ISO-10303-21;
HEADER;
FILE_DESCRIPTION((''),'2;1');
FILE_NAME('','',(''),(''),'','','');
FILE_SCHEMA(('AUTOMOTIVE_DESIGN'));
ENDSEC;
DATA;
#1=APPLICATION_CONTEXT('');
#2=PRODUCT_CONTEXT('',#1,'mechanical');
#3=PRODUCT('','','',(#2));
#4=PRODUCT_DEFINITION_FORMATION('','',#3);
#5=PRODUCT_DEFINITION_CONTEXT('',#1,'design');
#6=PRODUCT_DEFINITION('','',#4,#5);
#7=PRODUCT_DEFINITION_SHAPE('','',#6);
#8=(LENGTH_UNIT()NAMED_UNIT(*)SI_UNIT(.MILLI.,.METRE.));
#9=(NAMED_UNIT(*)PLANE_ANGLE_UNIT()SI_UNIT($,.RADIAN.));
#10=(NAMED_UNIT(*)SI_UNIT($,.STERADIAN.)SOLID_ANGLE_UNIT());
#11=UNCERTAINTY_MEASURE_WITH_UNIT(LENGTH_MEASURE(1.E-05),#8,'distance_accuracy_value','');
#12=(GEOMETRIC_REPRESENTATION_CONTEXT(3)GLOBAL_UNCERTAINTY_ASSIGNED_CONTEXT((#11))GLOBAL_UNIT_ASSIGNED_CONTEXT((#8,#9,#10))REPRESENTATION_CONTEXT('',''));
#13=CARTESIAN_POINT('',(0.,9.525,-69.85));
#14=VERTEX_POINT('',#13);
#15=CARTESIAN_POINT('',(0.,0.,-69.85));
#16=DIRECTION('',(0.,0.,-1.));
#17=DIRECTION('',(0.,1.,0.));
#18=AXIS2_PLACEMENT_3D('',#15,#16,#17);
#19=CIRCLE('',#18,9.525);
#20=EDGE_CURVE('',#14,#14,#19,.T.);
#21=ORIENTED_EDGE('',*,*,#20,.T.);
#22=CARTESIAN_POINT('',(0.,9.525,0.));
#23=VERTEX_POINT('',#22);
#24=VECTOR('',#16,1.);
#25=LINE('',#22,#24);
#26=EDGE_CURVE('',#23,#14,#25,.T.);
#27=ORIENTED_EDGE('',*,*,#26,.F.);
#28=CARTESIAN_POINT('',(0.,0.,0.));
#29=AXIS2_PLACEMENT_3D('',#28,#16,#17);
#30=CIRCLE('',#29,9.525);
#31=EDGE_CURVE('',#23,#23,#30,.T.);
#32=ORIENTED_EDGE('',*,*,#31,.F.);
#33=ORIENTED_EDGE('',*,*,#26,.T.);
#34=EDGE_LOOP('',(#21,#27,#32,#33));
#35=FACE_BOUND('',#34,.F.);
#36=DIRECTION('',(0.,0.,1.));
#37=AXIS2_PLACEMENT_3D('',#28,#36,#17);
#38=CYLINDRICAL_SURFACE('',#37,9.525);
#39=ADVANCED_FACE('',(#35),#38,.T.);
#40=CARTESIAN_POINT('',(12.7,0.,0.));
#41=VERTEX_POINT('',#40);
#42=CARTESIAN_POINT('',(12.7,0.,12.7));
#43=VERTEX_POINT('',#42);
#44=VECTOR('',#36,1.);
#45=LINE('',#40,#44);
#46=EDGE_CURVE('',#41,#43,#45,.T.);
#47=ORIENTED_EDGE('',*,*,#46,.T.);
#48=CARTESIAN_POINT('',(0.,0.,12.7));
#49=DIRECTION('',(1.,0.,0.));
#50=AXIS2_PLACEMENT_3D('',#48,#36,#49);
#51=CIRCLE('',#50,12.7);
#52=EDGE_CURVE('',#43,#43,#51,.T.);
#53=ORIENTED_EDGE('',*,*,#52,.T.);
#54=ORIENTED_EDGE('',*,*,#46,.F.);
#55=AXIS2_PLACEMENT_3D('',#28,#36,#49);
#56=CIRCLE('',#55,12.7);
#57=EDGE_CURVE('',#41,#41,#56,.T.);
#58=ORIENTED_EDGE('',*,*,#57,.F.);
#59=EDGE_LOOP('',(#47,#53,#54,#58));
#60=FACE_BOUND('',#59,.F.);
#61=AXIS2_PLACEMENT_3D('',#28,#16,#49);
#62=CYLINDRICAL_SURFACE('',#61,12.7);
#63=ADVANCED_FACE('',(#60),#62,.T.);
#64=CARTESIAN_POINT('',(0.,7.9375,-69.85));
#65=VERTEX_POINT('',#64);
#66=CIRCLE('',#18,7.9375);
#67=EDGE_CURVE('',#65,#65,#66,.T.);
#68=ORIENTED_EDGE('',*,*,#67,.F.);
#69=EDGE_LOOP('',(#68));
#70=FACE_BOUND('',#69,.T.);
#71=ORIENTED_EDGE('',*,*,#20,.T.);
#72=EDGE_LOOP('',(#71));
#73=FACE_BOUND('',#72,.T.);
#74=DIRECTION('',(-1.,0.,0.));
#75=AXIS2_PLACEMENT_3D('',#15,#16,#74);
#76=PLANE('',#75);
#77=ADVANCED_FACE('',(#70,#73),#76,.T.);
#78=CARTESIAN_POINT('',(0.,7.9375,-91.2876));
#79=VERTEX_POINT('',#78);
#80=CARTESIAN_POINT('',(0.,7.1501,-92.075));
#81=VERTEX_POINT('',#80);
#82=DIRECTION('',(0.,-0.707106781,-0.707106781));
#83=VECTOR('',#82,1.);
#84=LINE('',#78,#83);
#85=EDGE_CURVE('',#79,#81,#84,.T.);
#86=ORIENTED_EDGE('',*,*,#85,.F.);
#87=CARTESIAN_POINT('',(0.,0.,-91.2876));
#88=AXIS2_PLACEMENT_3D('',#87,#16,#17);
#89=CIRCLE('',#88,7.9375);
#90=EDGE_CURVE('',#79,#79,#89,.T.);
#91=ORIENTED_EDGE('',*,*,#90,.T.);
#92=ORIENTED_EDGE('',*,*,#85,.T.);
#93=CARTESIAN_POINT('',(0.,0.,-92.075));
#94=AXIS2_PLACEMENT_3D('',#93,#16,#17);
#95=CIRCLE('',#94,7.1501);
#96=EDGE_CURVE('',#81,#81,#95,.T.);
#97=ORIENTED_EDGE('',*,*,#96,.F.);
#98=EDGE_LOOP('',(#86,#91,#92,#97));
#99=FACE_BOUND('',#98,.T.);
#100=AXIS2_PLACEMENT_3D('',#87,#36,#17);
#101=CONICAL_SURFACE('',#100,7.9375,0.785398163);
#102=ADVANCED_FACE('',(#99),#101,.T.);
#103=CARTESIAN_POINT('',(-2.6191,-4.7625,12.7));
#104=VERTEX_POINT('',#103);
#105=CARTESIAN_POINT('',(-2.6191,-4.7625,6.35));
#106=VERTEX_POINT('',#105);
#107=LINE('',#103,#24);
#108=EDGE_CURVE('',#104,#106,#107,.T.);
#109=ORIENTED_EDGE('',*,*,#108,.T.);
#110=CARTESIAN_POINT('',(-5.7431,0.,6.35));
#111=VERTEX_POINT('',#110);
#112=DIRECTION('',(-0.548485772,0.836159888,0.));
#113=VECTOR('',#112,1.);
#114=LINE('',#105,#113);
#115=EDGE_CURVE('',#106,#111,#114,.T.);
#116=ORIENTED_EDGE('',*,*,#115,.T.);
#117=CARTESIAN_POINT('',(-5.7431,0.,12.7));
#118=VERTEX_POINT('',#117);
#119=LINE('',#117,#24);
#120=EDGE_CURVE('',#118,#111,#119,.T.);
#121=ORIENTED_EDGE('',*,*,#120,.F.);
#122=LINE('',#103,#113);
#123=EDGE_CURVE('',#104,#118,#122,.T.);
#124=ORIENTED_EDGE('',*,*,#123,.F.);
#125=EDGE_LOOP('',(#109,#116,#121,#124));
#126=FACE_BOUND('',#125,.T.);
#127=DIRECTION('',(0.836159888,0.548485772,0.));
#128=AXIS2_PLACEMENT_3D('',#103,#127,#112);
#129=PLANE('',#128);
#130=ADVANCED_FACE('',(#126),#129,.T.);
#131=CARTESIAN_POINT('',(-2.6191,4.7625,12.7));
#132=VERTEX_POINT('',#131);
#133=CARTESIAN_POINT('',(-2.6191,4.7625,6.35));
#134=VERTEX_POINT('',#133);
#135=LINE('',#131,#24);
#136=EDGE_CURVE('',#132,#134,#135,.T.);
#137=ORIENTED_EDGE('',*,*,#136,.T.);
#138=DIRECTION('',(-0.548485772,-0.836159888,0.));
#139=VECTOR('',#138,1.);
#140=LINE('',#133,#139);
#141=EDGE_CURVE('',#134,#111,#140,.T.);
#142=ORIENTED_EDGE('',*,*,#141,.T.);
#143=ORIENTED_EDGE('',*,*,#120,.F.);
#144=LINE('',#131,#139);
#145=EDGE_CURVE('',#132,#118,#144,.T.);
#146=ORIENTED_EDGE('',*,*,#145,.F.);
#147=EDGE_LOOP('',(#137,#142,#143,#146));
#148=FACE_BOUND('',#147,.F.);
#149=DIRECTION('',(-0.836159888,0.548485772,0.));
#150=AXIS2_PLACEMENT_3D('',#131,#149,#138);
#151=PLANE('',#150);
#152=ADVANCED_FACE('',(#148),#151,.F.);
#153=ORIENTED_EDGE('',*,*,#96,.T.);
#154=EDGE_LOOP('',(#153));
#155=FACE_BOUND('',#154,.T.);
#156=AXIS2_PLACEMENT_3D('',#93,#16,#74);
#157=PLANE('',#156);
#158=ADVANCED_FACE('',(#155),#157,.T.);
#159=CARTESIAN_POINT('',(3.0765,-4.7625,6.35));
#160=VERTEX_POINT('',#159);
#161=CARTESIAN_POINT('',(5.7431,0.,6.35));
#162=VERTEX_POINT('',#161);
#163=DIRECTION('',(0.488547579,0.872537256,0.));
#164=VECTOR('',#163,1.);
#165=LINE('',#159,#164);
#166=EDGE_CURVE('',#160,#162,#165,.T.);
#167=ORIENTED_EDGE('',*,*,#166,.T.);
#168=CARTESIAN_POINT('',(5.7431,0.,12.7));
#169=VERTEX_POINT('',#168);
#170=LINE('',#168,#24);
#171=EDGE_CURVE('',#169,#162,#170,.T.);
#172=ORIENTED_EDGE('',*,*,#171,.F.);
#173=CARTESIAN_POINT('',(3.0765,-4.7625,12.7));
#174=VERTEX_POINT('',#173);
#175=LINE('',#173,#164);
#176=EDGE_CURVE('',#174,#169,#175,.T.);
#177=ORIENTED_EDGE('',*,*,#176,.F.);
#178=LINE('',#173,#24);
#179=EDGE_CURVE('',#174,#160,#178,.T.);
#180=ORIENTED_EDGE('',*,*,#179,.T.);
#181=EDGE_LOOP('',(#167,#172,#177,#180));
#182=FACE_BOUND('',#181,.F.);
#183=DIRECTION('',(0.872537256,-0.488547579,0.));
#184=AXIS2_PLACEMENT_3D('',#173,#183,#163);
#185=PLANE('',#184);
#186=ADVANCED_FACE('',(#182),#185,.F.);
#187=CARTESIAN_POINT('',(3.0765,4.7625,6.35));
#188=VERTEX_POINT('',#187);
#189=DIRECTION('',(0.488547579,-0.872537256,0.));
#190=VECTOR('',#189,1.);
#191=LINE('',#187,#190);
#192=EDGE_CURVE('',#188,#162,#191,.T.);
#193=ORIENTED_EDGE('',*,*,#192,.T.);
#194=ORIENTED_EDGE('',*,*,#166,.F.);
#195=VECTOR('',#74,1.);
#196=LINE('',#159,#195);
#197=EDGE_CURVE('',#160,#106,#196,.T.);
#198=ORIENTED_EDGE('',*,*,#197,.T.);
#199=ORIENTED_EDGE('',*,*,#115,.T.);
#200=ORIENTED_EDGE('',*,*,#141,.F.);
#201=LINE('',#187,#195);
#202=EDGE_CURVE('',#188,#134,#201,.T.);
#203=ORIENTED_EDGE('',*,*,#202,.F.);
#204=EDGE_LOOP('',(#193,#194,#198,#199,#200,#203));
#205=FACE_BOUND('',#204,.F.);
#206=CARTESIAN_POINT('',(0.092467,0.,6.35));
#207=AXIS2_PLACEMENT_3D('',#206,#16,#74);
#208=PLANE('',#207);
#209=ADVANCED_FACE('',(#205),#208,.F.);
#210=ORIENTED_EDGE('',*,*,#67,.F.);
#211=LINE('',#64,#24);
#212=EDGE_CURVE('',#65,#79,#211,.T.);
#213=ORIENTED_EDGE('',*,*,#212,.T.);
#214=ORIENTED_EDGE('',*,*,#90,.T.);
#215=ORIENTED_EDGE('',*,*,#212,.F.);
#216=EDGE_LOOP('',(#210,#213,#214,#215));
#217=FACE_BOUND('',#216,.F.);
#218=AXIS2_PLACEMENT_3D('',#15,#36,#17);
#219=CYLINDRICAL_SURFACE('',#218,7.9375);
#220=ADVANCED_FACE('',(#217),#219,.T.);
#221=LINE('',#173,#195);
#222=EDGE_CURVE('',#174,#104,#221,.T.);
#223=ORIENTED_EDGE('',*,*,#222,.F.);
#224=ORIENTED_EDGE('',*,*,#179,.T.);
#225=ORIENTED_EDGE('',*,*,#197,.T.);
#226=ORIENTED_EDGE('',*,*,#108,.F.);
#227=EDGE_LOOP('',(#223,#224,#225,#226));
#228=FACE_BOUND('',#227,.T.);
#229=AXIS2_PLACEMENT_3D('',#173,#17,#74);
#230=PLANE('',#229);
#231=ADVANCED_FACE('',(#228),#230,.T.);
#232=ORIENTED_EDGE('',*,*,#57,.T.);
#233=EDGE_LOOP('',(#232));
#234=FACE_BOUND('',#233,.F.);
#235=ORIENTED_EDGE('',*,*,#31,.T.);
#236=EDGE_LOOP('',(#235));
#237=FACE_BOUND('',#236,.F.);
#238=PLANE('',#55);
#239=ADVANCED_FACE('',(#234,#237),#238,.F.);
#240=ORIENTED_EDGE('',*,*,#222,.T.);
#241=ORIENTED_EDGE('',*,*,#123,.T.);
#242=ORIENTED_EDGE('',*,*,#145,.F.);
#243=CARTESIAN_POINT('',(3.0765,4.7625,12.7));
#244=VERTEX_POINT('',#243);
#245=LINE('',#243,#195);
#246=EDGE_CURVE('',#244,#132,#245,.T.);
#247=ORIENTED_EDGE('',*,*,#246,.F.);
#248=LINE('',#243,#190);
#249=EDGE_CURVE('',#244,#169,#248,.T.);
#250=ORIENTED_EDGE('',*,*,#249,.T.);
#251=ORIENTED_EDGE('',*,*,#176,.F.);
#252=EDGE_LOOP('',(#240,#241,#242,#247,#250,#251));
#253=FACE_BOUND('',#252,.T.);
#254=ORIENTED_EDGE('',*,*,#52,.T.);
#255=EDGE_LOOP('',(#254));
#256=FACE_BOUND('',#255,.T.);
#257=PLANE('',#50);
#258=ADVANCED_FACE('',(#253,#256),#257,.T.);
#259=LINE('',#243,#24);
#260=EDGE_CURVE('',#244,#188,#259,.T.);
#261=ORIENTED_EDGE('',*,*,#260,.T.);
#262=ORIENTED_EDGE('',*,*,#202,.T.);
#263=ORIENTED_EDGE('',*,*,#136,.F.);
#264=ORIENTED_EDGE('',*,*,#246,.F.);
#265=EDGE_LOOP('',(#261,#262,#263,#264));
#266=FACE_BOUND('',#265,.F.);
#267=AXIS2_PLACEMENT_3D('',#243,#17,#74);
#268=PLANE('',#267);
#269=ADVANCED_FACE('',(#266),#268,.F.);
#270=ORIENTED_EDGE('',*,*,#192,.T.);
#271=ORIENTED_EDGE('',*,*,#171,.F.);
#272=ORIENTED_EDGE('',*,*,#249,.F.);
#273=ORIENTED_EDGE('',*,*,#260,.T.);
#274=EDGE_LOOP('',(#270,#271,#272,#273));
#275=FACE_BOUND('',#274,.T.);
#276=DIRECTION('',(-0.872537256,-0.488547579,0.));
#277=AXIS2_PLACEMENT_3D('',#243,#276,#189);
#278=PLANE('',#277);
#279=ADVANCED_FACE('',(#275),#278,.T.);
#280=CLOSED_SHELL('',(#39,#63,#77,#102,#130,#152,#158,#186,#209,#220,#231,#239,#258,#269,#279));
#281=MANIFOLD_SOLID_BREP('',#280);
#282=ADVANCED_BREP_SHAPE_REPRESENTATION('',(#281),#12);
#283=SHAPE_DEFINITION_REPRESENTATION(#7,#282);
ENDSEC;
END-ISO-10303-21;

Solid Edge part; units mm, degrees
sketch "Sketch1" plane through (0, 0, 0) normal (0, 0, 1) x (1, 0, 0)
  circle A0 centre (0, 0) radius 12.7
  dimension "D1" = 25.4
extrude "Protrusion1" add sketch "Sketch1" along normal blind 12.7
sketch "Sketch2" plane through (0, 0, 0) normal (0, 0, -1) x (0, 1, 0)
  circle A0 centre (0, 0) radius 9.525
  dimension "D1" = 19.05
extrude "Protrusion2" add sketch "Sketch2" along normal blind 69.85
sketch "Sketch3" plane through (0, 0, -69.85) normal (0, 0, -1) x (0, 1, 0)
  circle A0 centre (0, 0) radius 7.9375
  dimension "D1" = 15.875
extrude "Protrusion3" add sketch "Sketch3" along normal blind 22.225
sketch "Sketch4" plane through (0, 0, 12.7) normal (0, 0, 1) x (0, 1, 0)
  line L0 (-4.7625, 2.6191) -> (0, 5.7431)
  line L1 (-4.7625, -3.0765) -> (-4.7625, 2.6191)
  line L2 (-4.7625, -3.0765) -> (0, -5.7431)
  line L3 (4.7625, -3.0765) -> (0, -5.7431)
  line L4 (4.7625, -3.0765) -> (4.7625, 2.6191)
  line L5 (4.7625, 2.6191) -> (0, 5.7431)
  dimension "D1" = 9.525
extrude "Cutout1" cut sketch "Sketch4" against normal blind 6.35
chamfer "Chamfer1" distance 0.7874 angle 45 1 edges at (0, -7.9375, -92.075)
properties part number "24102380"
